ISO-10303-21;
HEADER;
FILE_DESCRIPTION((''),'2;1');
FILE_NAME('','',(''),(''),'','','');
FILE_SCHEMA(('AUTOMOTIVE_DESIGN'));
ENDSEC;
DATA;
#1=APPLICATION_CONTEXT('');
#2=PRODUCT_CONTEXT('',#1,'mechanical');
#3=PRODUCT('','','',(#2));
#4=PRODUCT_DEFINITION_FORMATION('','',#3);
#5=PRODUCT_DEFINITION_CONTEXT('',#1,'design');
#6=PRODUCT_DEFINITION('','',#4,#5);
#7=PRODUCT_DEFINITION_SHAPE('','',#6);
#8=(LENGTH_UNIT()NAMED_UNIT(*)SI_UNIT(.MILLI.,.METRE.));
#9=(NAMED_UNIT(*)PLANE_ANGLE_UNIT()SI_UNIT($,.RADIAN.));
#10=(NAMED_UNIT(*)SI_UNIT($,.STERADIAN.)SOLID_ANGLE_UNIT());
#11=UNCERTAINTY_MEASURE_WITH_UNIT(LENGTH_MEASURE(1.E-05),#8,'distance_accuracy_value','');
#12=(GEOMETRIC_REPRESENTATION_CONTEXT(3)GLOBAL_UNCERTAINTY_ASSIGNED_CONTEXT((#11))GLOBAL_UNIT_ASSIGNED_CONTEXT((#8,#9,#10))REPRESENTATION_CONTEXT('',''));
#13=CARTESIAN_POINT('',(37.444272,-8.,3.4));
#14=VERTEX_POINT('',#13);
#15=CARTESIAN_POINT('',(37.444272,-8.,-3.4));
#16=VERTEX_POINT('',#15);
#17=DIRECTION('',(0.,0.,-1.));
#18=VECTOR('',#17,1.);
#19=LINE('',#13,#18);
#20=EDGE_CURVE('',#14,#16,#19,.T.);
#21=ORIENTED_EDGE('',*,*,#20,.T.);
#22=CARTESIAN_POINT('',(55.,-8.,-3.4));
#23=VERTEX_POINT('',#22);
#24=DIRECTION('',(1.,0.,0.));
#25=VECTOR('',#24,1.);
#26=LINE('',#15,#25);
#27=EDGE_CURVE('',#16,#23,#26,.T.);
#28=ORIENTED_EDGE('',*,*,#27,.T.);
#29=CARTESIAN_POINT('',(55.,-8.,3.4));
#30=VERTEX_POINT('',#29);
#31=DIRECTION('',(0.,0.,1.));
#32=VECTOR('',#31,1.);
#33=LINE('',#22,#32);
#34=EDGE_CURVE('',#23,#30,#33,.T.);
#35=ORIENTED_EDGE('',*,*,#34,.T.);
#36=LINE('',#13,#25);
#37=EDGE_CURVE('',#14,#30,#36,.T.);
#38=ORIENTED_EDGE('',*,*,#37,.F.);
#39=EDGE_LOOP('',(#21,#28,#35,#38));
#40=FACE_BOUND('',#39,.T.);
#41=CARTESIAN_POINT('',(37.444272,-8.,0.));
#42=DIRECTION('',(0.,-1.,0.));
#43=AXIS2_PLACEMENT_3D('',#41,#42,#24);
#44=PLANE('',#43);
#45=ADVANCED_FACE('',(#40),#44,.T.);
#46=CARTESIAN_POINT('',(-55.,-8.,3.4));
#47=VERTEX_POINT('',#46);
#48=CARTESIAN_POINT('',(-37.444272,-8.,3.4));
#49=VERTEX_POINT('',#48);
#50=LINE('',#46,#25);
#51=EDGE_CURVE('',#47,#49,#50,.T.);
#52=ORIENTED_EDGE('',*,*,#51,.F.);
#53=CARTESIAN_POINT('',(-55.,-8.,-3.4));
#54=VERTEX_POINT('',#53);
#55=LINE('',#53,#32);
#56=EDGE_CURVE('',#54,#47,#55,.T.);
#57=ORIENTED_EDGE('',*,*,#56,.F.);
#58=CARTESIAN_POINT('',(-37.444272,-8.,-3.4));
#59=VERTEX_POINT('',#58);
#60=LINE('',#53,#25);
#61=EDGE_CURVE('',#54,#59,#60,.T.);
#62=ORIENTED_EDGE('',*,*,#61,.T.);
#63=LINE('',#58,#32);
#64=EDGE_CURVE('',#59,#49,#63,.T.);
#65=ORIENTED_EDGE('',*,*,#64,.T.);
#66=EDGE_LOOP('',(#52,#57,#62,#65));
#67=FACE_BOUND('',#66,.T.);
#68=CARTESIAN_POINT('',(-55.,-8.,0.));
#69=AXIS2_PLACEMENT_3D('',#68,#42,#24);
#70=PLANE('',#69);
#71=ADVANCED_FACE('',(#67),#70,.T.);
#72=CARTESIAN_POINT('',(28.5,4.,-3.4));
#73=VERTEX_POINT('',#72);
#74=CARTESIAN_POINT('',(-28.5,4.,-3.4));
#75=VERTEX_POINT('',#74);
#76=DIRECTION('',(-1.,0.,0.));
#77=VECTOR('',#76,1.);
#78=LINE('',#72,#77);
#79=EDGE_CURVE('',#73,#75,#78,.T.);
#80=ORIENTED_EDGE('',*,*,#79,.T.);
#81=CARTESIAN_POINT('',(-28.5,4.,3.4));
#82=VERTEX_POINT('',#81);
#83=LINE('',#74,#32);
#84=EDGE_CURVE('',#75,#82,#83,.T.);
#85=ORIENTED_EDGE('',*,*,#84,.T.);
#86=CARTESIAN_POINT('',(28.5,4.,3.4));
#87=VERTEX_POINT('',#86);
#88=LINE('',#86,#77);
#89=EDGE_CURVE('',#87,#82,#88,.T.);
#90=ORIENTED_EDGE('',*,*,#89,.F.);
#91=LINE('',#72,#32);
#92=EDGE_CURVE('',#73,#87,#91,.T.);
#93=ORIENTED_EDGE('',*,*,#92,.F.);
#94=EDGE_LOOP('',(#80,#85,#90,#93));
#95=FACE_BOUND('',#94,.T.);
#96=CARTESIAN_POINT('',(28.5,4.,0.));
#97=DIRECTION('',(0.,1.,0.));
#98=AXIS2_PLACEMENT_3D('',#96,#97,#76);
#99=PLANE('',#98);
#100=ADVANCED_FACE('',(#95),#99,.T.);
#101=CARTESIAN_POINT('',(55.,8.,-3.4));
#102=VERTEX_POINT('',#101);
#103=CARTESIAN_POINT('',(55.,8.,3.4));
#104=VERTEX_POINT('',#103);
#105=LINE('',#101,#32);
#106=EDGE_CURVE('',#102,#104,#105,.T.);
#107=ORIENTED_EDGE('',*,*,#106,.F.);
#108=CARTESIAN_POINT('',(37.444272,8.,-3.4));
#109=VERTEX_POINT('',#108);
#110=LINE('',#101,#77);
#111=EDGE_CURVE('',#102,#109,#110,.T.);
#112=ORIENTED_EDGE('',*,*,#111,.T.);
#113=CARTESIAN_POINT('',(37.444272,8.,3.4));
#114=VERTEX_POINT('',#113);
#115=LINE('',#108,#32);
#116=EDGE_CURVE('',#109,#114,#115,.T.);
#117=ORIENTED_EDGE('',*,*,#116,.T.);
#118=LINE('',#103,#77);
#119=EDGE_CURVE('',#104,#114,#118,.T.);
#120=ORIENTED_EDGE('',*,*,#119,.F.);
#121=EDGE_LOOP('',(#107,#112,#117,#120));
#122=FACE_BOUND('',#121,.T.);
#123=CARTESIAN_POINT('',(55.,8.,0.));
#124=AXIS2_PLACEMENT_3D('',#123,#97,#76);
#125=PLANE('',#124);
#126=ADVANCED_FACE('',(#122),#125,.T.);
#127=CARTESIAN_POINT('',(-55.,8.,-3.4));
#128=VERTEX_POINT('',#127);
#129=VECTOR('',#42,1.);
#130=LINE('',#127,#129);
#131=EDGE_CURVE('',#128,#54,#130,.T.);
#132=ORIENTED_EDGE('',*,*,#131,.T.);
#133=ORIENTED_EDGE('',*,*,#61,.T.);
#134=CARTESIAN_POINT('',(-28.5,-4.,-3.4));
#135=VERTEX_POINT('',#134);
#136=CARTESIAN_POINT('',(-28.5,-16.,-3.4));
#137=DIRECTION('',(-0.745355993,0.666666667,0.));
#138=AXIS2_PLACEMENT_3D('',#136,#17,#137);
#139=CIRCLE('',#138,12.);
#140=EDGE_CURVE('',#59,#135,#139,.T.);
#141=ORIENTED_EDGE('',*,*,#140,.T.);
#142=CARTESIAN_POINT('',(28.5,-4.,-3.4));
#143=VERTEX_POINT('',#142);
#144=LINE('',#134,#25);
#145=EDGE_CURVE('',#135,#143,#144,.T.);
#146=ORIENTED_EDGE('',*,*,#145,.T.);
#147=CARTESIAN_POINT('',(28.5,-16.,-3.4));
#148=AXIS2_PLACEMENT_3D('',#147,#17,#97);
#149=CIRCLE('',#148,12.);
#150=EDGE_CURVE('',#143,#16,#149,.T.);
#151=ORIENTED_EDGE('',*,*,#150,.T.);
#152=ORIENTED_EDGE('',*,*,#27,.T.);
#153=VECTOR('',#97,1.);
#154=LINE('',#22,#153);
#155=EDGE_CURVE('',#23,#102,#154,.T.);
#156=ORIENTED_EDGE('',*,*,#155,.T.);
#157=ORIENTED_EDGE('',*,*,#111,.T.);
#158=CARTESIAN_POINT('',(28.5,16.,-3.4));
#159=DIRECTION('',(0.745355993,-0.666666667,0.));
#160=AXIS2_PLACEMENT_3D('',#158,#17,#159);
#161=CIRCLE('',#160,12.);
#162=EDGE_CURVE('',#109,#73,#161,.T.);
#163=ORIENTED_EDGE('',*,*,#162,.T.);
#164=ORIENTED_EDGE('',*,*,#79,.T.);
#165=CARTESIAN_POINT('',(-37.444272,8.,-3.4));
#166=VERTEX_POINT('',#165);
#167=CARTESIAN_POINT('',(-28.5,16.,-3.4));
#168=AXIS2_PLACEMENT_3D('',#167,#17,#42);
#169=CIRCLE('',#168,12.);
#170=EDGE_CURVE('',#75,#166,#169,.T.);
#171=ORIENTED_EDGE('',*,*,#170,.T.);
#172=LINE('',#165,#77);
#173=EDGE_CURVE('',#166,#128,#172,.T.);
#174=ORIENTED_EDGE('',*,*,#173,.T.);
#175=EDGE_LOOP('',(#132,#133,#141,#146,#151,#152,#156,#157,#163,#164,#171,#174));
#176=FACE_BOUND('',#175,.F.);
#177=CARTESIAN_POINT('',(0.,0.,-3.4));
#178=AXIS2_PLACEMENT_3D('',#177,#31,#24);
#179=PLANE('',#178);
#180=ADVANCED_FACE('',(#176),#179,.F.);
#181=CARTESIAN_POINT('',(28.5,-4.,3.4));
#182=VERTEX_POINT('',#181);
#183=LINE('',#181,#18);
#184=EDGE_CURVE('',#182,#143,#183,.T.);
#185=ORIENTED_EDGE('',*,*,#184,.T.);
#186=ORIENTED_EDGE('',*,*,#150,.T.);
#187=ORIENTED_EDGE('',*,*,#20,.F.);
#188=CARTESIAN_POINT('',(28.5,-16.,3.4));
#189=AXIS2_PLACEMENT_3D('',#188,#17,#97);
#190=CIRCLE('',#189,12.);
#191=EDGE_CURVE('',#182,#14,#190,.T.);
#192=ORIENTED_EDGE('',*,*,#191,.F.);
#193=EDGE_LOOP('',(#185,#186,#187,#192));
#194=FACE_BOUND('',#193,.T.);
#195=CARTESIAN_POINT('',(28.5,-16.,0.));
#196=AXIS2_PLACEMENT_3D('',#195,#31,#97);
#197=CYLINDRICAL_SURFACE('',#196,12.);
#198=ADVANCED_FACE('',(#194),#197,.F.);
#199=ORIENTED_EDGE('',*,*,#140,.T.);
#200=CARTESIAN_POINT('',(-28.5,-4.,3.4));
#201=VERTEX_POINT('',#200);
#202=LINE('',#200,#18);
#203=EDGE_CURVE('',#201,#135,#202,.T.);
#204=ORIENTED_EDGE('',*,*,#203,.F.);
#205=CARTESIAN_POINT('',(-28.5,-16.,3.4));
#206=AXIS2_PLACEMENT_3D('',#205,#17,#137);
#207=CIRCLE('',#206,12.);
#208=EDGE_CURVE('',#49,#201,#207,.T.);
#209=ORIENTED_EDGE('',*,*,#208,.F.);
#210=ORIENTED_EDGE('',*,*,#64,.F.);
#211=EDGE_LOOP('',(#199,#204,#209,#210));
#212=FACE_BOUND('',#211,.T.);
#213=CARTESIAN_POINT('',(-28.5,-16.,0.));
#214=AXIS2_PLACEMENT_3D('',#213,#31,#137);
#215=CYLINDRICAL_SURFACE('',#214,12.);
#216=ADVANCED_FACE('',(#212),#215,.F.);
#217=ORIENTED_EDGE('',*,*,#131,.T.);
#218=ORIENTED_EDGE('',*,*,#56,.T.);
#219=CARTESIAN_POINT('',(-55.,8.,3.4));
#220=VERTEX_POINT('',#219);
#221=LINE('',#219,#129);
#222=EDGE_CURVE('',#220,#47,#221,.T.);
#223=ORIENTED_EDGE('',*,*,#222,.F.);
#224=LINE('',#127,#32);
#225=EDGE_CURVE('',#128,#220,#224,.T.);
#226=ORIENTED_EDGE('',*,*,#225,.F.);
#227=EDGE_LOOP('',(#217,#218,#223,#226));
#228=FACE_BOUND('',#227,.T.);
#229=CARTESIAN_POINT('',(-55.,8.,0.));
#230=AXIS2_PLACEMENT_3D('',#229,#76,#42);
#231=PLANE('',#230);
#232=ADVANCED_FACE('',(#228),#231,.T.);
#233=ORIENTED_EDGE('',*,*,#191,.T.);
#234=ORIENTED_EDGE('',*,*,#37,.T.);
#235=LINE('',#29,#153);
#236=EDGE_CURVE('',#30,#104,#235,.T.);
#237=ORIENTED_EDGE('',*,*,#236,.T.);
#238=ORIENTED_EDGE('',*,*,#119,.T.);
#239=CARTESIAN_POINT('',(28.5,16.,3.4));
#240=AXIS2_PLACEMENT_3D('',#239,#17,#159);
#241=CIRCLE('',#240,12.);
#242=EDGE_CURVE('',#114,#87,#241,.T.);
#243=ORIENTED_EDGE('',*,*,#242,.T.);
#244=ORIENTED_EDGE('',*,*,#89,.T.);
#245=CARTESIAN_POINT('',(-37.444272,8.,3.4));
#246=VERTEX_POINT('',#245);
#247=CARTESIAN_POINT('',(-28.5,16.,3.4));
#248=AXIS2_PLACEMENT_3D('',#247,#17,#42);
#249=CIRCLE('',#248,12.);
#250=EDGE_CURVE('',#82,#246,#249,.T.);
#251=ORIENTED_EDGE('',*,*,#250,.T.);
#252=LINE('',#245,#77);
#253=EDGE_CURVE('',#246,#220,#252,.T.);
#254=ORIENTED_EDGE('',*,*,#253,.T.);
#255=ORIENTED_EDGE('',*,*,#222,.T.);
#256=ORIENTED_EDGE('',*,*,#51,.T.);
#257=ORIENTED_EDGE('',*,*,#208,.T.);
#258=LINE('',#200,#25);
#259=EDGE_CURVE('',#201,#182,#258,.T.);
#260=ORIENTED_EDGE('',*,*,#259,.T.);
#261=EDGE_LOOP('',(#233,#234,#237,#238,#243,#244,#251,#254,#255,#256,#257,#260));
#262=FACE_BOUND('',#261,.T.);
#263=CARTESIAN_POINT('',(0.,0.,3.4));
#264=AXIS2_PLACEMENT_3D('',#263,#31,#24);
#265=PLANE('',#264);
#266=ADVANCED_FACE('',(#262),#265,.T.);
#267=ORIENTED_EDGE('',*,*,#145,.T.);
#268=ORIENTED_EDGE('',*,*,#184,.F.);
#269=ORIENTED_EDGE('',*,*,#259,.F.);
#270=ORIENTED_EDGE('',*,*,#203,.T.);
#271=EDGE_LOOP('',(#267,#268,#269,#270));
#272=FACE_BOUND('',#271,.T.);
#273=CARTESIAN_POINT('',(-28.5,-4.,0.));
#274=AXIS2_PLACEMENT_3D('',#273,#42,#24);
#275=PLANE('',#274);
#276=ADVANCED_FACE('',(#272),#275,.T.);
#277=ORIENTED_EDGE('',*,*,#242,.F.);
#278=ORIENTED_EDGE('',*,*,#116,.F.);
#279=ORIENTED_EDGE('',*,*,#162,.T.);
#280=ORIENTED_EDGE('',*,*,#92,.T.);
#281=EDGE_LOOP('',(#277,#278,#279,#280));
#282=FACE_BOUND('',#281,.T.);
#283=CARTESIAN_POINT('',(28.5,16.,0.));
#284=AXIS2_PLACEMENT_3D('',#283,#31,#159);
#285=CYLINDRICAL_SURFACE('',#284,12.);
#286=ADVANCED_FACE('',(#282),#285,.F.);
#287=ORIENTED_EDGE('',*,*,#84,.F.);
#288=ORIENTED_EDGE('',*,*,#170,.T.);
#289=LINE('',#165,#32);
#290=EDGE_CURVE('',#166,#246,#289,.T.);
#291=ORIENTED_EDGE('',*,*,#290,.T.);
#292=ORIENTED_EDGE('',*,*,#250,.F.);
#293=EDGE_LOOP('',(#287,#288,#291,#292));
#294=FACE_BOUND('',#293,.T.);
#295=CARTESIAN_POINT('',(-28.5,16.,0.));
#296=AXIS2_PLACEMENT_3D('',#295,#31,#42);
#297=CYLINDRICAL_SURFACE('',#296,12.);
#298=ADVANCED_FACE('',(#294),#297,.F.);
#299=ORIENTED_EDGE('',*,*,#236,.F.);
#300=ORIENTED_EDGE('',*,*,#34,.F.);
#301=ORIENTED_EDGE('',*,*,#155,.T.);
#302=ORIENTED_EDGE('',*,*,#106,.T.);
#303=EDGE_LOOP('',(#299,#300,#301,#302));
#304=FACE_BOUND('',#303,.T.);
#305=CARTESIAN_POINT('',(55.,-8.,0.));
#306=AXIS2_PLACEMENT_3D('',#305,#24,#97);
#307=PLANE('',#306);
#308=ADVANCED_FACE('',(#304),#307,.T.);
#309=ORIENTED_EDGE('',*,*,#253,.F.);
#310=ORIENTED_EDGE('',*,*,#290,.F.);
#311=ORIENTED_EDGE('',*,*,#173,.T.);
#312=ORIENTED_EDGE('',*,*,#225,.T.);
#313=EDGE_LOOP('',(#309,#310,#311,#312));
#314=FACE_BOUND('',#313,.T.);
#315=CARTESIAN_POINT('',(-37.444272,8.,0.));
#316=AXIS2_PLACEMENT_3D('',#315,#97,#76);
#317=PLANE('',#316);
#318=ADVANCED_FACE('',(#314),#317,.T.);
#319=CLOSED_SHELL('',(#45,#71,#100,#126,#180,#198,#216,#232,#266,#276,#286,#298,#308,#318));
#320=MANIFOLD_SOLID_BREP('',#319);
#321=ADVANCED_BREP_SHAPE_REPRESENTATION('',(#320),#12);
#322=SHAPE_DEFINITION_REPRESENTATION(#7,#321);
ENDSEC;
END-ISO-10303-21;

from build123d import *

# Parameters (mm, degrees)
F1_DEPTH = 3.4


with BuildPart() as f1:
    # F0 (on Top) → F1 (new body, symmetric)
    with BuildSketch(Plane.XY):
        with BuildLine():
            Line((37.44427191, -8), (55, -8))
            Line((55, -8), (55, 8))
            Line((55, 8), (37.44427191, 8))
            ThreePointArc((37.44427191, 8), (33.3989794856, 5.0455488499), (28.5, 4))
            Line((28.5, 4), (-28.5, 4))
            ThreePointArc((-28.5, 4), (-33.3989794856, 5.0455488499), (-37.44427191, 8))
            Line((-37.44427191, 8), (-55, 8))
            Line((-55, 8), (-55, -8))
            Line((-55, -8), (-37.44427191, -8))
            ThreePointArc((-37.44427191, -8), (-33.3989794856, -5.0455488499), (-28.5, -4))
            Line((-28.5, -4), (28.5, -4))
            ThreePointArc((28.5, -4), (33.3989794856, -5.0455488499), (37.44427191, -8))
        make_face()
    extrude(amount=F1_DEPTH, both=True)


solid = f1.part
